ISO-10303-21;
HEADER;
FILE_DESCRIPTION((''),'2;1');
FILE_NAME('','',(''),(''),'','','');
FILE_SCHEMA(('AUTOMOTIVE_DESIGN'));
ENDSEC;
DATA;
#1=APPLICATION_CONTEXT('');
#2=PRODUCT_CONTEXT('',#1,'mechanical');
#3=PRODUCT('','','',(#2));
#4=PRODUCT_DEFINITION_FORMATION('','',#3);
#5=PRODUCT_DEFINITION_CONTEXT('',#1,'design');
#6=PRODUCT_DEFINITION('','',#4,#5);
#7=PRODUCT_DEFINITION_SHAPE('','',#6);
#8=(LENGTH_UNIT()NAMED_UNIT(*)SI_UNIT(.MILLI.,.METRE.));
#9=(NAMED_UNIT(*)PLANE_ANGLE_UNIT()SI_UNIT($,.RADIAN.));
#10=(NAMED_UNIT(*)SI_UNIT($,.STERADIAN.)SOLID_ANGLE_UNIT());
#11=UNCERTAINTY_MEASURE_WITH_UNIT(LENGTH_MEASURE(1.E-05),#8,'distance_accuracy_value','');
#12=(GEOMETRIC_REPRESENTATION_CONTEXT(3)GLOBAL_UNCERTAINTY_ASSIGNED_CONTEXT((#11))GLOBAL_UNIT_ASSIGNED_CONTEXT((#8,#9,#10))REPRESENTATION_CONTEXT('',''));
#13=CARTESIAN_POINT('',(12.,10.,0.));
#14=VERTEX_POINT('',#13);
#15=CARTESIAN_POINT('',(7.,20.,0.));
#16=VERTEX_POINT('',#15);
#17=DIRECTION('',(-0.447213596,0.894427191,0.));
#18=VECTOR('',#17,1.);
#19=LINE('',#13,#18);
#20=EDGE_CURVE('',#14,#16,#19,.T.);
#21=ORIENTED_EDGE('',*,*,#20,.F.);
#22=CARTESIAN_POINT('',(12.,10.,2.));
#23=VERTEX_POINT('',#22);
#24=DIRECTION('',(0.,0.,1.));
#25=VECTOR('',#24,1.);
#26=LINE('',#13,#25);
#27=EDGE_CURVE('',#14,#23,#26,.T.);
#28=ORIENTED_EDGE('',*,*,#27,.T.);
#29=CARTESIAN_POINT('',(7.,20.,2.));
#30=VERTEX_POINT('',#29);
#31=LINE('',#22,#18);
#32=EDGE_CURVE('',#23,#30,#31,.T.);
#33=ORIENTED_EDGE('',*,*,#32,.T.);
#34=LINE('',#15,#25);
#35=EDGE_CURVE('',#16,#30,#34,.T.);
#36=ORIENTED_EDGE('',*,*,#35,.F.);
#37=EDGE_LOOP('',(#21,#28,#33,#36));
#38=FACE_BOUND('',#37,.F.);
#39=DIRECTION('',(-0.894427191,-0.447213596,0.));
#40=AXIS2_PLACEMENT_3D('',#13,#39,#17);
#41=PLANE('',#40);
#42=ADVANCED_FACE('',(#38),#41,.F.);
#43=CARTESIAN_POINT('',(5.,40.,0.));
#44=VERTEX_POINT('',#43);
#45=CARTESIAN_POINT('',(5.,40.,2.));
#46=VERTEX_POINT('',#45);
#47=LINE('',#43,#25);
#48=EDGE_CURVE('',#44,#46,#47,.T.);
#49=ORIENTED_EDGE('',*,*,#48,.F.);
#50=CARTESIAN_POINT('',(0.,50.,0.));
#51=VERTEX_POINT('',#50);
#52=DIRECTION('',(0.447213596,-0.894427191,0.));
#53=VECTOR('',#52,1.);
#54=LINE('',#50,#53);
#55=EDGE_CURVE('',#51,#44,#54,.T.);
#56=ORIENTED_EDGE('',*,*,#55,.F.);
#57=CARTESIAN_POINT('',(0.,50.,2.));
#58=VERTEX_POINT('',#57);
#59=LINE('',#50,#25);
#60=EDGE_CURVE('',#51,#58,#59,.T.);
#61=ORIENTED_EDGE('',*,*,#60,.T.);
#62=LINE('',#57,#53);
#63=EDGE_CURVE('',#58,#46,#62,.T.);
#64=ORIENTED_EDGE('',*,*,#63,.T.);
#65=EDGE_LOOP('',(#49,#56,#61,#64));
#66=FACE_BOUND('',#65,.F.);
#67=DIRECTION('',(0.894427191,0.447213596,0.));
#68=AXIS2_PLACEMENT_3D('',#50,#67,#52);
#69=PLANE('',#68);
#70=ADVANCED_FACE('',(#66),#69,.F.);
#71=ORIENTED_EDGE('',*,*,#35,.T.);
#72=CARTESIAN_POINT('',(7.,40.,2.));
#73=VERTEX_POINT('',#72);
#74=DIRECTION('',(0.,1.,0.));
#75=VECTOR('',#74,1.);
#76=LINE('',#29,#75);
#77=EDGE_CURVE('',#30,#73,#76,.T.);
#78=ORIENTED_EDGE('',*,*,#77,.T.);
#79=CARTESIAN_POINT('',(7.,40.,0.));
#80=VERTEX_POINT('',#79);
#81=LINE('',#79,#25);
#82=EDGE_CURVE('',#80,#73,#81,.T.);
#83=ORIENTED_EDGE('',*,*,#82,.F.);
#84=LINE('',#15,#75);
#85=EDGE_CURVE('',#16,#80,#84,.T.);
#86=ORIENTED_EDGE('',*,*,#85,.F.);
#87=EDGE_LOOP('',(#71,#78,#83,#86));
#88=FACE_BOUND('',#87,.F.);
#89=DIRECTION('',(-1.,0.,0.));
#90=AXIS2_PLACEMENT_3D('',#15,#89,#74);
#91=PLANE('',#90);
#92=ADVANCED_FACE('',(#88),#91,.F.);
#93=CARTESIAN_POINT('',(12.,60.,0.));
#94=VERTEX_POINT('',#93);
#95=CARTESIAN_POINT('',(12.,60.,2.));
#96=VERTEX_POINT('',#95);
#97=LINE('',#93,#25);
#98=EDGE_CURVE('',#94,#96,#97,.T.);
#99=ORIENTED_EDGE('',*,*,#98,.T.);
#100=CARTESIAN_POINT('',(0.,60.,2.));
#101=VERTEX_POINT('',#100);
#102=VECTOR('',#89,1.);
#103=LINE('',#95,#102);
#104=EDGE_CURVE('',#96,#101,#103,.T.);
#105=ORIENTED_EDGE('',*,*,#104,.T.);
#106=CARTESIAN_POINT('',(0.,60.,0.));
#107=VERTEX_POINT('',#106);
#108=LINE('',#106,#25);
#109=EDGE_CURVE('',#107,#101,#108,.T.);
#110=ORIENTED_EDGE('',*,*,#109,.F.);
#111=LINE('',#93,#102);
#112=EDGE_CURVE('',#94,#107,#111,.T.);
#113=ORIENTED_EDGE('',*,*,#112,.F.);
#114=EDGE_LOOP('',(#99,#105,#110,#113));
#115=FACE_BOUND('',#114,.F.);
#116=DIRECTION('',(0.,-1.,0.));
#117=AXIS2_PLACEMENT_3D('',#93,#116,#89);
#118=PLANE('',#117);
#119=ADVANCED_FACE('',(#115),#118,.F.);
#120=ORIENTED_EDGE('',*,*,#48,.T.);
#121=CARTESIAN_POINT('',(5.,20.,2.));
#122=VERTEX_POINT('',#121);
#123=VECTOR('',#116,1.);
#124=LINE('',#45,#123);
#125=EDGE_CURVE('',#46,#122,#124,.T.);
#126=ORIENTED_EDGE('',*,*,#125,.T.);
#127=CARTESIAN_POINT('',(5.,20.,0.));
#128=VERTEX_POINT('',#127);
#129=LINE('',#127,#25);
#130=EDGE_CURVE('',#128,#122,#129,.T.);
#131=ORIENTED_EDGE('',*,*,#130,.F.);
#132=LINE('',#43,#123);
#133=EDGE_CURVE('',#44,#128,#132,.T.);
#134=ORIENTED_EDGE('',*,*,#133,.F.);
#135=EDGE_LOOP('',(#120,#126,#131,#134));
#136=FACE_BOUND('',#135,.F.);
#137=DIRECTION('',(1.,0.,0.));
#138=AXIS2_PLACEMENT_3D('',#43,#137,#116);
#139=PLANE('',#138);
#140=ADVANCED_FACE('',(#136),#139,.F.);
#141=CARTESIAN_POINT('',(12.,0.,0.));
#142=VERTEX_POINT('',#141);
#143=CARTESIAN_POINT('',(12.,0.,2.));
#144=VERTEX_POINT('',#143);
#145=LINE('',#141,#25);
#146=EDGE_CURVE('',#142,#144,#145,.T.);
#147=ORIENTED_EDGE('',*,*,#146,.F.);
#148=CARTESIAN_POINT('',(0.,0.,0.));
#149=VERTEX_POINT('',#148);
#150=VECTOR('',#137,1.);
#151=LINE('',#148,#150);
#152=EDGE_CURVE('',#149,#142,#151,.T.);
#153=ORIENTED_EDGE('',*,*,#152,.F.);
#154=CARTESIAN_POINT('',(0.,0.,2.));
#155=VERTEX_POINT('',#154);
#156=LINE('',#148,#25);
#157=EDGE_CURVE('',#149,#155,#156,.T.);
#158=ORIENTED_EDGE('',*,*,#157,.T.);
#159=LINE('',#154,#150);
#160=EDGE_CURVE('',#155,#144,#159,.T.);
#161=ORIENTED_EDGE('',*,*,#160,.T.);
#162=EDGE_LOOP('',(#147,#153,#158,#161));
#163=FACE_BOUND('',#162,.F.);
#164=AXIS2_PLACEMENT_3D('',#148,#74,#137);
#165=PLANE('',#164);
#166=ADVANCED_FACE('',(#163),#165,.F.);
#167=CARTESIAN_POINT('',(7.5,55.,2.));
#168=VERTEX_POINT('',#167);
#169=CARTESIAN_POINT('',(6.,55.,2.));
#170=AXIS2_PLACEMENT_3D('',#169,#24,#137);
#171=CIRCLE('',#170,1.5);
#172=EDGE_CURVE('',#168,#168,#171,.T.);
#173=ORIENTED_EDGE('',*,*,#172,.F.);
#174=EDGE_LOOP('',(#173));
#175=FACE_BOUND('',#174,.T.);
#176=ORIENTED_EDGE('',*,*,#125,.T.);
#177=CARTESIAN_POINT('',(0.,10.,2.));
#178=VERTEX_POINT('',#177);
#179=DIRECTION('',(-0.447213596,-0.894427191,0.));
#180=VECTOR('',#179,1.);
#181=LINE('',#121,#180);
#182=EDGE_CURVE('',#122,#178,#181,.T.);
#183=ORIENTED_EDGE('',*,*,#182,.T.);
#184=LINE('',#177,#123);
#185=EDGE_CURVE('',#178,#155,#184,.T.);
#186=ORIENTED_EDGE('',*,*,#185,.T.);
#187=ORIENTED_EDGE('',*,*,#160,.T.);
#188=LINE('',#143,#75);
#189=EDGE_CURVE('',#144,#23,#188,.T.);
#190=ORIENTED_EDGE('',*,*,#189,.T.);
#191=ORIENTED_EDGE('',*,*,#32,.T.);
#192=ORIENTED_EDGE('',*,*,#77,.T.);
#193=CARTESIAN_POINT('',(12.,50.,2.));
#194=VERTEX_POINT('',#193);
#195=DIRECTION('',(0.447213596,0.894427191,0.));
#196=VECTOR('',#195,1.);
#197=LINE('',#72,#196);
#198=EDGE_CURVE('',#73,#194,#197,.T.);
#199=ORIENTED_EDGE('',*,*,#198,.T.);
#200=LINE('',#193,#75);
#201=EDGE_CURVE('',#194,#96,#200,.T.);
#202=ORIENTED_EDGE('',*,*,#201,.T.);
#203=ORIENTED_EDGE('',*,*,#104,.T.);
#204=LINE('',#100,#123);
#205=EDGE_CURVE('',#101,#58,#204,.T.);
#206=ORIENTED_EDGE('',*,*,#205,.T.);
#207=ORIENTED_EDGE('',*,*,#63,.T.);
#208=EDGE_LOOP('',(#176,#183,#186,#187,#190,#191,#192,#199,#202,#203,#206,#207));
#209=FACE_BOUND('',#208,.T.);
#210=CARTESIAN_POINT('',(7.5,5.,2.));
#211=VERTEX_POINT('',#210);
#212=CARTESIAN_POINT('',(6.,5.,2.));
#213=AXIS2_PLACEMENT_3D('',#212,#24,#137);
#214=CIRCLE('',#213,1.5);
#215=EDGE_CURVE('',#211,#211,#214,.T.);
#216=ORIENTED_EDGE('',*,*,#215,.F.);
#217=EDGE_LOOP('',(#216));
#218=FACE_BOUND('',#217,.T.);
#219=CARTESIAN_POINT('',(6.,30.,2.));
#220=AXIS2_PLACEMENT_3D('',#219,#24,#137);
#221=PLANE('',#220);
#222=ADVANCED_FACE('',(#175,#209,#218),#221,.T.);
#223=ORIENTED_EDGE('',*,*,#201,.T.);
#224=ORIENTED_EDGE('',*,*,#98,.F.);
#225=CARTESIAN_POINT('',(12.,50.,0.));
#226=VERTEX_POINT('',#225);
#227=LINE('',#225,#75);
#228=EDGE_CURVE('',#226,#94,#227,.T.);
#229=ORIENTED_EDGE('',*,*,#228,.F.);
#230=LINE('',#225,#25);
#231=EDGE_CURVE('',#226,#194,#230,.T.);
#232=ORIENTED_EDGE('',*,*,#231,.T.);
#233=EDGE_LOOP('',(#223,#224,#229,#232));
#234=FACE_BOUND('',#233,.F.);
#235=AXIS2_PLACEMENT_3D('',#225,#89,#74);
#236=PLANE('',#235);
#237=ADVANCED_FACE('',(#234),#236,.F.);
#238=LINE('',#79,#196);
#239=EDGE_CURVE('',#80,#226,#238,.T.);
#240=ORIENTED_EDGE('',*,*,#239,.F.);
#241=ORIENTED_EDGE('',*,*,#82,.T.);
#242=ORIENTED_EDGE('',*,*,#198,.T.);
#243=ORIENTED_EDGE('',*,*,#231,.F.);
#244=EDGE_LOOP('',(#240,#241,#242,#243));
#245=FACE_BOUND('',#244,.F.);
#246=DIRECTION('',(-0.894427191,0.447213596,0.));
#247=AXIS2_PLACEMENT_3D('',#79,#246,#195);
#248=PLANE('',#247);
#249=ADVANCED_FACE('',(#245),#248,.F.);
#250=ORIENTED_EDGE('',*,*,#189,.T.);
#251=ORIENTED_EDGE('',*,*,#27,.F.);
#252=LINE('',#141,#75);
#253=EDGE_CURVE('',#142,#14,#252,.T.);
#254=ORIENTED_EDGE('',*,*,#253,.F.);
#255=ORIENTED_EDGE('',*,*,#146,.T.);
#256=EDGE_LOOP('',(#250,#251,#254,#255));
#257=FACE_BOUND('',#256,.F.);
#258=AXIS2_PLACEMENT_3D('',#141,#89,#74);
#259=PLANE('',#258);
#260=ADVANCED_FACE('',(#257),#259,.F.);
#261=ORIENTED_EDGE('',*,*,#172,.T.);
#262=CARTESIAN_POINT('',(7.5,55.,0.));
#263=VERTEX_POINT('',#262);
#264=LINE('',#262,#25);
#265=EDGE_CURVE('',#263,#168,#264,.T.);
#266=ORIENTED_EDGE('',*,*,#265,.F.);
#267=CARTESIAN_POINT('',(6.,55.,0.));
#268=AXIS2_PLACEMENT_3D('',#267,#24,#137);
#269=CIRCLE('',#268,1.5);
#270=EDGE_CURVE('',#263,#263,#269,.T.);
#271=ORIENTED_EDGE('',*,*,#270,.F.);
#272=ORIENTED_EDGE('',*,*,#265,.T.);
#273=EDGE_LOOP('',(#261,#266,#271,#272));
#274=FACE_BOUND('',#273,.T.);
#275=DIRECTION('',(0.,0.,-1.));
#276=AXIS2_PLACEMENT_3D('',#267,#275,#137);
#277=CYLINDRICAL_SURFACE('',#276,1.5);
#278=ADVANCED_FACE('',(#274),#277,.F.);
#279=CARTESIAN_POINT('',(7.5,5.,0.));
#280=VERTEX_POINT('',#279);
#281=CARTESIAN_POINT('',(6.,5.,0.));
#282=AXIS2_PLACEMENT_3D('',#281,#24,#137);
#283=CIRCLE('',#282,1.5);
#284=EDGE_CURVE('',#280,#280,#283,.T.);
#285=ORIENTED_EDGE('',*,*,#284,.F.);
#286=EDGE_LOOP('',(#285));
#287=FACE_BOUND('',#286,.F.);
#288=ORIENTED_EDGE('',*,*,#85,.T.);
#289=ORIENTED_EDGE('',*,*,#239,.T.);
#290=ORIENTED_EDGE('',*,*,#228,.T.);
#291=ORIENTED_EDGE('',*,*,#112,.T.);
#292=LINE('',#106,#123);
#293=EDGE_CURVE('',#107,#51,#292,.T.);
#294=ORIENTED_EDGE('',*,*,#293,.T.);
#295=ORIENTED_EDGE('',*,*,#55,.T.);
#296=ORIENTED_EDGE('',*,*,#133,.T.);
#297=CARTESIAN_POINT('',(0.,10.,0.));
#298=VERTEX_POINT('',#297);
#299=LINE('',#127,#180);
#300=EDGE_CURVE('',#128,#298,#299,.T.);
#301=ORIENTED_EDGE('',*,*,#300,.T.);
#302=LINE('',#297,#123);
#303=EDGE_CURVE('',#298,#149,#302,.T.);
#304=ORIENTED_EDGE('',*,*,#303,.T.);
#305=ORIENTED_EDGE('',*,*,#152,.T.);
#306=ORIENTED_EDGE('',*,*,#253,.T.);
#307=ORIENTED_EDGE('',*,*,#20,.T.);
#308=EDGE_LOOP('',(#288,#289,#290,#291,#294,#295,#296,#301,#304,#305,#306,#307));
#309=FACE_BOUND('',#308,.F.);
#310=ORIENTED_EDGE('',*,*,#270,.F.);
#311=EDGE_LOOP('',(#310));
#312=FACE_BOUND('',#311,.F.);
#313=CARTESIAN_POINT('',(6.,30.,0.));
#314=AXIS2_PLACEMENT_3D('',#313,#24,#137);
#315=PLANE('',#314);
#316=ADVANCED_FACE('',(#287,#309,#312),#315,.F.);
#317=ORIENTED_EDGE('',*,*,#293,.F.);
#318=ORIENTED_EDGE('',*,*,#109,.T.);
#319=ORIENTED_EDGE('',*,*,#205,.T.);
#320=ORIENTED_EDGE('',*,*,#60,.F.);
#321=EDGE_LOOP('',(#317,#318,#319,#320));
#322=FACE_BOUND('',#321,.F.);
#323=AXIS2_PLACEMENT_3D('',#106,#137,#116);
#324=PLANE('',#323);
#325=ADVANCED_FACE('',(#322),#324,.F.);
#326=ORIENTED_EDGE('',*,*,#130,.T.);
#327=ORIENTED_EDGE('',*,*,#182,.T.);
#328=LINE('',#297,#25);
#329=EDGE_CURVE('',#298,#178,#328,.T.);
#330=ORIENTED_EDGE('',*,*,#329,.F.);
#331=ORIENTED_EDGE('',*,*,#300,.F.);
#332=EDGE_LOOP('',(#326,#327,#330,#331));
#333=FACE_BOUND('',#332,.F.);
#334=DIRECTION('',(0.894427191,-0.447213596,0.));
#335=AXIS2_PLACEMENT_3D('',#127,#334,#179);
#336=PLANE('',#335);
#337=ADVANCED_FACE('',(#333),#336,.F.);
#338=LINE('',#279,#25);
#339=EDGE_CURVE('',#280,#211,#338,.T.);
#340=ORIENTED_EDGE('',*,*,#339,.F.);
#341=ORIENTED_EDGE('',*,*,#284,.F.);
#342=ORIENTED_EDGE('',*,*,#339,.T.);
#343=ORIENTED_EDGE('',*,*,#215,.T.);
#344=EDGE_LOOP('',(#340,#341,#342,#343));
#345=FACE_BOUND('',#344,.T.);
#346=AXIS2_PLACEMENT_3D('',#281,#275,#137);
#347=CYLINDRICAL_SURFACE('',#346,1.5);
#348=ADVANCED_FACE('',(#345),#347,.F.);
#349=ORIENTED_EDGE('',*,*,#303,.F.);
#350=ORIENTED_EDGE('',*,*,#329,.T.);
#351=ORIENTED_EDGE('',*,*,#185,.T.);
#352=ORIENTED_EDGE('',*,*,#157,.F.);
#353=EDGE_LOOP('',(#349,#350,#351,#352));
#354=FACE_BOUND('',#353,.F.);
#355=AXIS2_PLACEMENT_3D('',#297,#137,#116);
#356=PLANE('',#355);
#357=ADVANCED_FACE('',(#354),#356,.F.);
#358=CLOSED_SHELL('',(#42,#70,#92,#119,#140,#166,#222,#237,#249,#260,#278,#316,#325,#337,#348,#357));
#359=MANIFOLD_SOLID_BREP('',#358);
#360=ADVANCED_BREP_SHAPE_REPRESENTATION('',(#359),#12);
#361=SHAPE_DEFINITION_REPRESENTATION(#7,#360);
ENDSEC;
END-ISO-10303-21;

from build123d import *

# Parameters (mm, degrees)
F0_R     = 1.5
F1_DEPTH = 2


with BuildPart() as f1:
    # F0 (on Top) → F1 (new body)
    with BuildSketch(Plane.XY):
        Polygon((0, 10), (0, 0), (12, 0), (12, 10), (7, 20), (7, 40), (12, 50), (12, 60), (0, 60), (0, 50), (5, 40), (5, 20), align=None)
        with Locations((6, 5)):
            Circle(F0_R, mode=Mode.SUBTRACT)
        with Locations((6, 55)):
            Circle(F0_R, mode=Mode.SUBTRACT)
    extrude(amount=F1_DEPTH)


solid = f1.part
